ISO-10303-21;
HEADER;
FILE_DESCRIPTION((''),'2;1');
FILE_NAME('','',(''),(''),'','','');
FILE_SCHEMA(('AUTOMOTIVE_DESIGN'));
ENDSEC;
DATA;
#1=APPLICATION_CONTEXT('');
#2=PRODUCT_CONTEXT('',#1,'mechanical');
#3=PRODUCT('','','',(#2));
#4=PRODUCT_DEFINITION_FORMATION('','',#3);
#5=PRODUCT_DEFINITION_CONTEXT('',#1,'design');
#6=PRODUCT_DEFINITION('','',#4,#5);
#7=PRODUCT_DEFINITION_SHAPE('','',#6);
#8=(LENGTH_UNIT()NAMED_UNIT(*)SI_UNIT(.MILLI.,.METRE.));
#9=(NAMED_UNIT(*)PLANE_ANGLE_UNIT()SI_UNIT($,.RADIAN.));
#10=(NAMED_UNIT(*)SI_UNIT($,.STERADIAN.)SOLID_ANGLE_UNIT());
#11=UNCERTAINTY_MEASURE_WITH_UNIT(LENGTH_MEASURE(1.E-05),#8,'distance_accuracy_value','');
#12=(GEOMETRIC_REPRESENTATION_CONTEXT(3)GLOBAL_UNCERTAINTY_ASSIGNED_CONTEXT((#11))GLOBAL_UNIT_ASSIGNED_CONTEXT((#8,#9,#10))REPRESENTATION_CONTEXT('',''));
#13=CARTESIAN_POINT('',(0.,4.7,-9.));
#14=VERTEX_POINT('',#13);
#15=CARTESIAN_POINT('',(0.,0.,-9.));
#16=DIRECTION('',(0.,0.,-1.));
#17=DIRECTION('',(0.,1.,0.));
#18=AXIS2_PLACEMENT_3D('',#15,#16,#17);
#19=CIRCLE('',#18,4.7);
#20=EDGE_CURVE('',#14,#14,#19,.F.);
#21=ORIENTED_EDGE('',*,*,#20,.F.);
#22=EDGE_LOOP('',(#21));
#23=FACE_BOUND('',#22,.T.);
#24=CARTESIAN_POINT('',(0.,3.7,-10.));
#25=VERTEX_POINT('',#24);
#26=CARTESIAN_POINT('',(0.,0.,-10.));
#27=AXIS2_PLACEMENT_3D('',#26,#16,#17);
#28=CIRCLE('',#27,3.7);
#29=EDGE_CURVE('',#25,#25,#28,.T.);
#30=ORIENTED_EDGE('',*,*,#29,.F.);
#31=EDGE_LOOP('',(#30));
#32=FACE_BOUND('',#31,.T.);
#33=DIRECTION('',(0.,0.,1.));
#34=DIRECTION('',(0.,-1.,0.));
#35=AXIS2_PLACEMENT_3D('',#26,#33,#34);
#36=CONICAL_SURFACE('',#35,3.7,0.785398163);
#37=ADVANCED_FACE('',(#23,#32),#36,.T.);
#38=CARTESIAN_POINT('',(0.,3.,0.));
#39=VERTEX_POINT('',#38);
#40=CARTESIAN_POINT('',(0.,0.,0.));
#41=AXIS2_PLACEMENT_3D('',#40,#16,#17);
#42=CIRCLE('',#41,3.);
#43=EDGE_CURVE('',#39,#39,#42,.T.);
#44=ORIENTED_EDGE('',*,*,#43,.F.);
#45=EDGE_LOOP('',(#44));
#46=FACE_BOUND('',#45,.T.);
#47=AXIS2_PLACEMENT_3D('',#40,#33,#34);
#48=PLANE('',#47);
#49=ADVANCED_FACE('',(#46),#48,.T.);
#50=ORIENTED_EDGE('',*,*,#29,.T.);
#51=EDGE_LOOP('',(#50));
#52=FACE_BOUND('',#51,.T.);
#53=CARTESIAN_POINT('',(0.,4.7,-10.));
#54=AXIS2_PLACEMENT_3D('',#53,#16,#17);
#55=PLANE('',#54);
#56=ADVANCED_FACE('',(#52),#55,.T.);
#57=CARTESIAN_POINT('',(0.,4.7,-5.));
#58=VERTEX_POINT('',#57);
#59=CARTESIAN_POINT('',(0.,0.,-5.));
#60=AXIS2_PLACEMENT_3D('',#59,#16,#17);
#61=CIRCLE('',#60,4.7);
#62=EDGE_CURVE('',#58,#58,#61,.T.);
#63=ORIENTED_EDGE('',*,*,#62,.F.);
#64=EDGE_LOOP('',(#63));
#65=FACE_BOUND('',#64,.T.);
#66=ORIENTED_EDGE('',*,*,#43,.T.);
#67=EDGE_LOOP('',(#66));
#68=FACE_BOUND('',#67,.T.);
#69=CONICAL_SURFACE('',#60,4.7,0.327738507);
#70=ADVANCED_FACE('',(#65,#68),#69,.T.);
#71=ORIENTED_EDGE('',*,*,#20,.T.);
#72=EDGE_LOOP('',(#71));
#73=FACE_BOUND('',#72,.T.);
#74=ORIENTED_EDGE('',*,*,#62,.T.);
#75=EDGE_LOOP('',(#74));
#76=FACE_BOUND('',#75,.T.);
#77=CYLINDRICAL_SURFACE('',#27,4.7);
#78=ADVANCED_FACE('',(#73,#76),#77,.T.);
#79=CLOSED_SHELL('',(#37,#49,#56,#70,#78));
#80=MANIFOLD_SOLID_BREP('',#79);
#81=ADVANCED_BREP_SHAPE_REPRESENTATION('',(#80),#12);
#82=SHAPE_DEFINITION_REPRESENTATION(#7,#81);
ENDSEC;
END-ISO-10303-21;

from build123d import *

# Parameters (mm, degrees)
CHANFRO1_SIZE = 1


with BuildPart() as part:
    # Esboço3 → Revolução1 (revolve)
    with BuildSketch(Plane(origin=(0, 0, 0), x_dir=(0, 0, -1), z_dir=(1, 0, 0))):
        Polygon((0, 0), (0, 3), (5, 4.7), (10, 4.7), (10, 0), align=None)
    revolve(axis=Axis((0, 0, -10), (0, 0, 1)))

    # Chanfro1
    chanfro1_edges = [part.edges().sort_by_distance(p)[0] for p in [
        (0, -4.7, -10),
    ]]
    chamfer(chanfro1_edges, length=CHANFRO1_SIZE)


solid = part.part
